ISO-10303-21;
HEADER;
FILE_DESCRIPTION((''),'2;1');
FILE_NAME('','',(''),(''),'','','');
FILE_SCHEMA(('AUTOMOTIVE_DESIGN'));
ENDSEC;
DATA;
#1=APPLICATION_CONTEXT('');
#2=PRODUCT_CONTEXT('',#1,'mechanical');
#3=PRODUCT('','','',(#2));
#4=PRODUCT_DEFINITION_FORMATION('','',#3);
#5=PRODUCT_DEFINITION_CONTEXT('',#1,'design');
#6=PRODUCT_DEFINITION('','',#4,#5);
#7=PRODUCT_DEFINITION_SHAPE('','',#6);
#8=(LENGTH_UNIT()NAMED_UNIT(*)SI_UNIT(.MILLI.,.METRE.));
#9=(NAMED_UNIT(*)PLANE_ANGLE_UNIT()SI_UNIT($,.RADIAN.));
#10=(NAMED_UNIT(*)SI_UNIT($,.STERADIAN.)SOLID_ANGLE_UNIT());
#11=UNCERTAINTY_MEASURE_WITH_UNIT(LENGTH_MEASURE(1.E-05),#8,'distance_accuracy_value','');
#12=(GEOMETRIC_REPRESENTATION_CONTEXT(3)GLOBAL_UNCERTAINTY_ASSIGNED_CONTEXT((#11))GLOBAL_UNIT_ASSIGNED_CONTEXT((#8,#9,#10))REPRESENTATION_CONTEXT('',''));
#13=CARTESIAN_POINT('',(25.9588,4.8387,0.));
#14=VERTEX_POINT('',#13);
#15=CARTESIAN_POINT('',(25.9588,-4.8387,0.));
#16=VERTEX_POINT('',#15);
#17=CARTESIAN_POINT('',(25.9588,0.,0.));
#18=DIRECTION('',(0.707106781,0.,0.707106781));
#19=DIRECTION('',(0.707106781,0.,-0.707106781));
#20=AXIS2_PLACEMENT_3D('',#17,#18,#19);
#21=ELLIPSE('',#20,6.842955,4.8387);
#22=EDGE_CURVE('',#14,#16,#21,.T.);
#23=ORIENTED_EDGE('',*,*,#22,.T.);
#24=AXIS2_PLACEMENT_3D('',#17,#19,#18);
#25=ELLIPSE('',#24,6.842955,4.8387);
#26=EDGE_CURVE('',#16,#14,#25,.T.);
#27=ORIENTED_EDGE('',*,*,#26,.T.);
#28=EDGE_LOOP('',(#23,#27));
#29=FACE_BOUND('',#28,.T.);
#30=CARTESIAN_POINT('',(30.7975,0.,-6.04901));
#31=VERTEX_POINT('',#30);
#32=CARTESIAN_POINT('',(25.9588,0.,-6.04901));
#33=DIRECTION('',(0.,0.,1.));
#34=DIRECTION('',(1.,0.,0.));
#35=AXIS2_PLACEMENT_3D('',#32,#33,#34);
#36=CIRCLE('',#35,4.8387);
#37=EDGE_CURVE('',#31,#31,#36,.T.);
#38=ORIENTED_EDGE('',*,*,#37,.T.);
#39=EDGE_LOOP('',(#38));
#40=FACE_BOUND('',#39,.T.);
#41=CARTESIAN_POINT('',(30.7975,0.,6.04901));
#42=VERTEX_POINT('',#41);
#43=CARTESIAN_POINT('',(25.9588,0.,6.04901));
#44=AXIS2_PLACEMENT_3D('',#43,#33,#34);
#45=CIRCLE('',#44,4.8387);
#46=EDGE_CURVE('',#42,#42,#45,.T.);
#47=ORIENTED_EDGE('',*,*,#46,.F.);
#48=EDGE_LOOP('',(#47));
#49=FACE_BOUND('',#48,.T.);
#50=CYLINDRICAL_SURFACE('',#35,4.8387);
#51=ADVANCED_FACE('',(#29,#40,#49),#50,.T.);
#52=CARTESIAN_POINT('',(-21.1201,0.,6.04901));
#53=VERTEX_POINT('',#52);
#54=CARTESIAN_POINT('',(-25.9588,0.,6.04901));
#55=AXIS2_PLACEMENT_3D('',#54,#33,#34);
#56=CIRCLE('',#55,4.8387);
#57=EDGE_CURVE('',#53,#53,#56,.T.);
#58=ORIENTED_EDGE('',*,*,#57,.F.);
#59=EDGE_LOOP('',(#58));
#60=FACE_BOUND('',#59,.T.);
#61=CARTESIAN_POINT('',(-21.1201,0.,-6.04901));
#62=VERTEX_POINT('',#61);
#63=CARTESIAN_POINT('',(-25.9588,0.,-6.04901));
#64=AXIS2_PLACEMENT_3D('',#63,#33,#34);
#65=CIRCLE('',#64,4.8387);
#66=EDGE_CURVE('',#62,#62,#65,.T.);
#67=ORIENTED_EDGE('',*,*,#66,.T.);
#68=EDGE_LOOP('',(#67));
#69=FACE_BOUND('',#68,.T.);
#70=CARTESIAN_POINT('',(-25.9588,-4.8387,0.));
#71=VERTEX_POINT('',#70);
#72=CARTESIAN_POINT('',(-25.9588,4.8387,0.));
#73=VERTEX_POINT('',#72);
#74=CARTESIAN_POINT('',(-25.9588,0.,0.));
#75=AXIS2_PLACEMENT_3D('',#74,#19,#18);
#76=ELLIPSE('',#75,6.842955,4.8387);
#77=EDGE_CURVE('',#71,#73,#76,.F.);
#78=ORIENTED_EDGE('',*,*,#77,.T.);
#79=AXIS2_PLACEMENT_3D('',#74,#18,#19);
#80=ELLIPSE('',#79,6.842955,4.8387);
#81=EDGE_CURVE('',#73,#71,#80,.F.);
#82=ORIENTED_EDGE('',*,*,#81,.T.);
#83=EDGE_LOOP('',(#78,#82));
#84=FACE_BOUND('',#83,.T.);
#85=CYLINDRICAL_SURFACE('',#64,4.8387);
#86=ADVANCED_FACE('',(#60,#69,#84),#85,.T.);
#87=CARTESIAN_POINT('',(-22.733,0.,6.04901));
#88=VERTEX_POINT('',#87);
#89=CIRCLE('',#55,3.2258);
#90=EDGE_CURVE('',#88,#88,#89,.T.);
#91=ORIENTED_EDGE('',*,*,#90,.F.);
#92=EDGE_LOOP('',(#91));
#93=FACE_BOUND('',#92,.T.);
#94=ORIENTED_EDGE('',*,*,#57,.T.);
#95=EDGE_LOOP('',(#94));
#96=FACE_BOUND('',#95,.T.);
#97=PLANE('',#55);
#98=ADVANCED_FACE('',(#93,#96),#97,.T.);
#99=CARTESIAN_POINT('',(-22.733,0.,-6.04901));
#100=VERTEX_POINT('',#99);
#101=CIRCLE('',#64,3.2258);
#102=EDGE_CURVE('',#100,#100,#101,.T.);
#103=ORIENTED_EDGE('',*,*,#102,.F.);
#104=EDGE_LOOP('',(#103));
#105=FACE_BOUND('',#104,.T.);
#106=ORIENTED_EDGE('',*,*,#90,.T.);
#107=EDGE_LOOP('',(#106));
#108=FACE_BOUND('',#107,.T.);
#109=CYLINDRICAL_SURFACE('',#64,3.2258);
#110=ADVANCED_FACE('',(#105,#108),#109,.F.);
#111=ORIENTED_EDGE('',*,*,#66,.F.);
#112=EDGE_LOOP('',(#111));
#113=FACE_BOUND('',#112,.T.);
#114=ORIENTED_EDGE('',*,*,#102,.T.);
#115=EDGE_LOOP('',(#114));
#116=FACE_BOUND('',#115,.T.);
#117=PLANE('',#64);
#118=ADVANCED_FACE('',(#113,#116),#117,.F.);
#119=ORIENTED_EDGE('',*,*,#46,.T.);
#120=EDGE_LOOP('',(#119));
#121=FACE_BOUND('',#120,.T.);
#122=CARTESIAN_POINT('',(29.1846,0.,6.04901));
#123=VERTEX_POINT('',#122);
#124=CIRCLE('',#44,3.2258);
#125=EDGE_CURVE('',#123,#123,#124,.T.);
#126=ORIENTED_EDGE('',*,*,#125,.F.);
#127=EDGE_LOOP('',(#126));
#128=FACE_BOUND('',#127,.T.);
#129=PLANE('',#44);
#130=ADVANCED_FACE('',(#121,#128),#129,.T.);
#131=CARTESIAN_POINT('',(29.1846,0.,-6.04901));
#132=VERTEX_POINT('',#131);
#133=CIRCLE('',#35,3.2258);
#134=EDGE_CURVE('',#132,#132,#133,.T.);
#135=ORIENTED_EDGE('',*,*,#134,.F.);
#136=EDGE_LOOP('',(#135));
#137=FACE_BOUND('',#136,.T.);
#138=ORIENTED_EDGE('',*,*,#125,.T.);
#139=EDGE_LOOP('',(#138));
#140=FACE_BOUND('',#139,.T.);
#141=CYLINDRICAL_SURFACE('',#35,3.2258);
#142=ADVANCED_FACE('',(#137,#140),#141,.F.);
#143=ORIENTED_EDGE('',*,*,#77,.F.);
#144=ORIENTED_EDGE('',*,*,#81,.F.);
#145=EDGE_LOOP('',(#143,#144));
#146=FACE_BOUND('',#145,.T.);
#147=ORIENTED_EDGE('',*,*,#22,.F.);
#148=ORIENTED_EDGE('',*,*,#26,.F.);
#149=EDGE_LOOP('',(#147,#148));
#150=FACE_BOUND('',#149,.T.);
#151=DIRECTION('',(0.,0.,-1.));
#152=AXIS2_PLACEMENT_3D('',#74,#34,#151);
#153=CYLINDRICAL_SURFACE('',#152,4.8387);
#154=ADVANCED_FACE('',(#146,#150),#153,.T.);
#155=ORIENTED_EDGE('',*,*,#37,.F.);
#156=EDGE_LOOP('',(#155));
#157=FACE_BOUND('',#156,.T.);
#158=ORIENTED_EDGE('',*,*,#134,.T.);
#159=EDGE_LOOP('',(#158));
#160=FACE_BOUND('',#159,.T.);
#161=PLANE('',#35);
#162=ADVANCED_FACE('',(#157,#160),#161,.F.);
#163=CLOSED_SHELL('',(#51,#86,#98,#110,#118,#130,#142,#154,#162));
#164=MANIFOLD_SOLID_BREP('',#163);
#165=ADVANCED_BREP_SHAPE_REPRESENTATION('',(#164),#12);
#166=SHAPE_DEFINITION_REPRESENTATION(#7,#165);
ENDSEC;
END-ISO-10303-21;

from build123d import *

# Parameters (mm, degrees)
BOSS_EXTRUDE1_DEPTH      = 25.9588
BOSS_EXTRUDE1_DEPTH_BACK = 25.9588
SKETCH1_R                = 4.8387
BOSS_EXTRUDE2_DEPTH      = 6.04901
BOSS_EXTRUDE2_DEPTH_BACK = 6.04901
SKETCH2_R                = 4.8387
SKETCH3_R                = 3.2258
CUT_EXTRUDE1_DEPTH       = 34.440411359


with BuildPart() as part:
    # Sketch1 → Boss-Extrude1 (new, two sides: drawn at the far end of the back side and taken through both)
    with BuildSketch(Plane(origin=(0, 0, 0), x_dir=(0, 0, -1), z_dir=(1, 0, 0)).offset(-BOSS_EXTRUDE1_DEPTH_BACK)):
        Circle(SKETCH1_R)
    extrude(amount=BOSS_EXTRUDE1_DEPTH + BOSS_EXTRUDE1_DEPTH_BACK)

    # Sketch2 → Boss-Extrude2 (add, two sides: drawn at the far end of the back side and taken through both)
    with BuildSketch(Plane.XY.offset(-BOSS_EXTRUDE2_DEPTH_BACK)):
        with Locations((25.9588, 0)):
            Circle(SKETCH2_R)
        with Locations((-25.9588, 0)):
            Circle(SKETCH2_R)
    extrude(amount=BOSS_EXTRUDE2_DEPTH + BOSS_EXTRUDE2_DEPTH_BACK)

    # Sketch3 → Cut-Extrude1 (cut, through all)
    with BuildSketch(Plane.XY.offset(6.04901)):
        with Locations((-25.9588, 0)):
            Circle(SKETCH3_R)
        with Locations((25.9588, 0)):
            Circle(SKETCH3_R)
    extrude(amount=-CUT_EXTRUDE1_DEPTH, mode=Mode.SUBTRACT)


solid = part.part
